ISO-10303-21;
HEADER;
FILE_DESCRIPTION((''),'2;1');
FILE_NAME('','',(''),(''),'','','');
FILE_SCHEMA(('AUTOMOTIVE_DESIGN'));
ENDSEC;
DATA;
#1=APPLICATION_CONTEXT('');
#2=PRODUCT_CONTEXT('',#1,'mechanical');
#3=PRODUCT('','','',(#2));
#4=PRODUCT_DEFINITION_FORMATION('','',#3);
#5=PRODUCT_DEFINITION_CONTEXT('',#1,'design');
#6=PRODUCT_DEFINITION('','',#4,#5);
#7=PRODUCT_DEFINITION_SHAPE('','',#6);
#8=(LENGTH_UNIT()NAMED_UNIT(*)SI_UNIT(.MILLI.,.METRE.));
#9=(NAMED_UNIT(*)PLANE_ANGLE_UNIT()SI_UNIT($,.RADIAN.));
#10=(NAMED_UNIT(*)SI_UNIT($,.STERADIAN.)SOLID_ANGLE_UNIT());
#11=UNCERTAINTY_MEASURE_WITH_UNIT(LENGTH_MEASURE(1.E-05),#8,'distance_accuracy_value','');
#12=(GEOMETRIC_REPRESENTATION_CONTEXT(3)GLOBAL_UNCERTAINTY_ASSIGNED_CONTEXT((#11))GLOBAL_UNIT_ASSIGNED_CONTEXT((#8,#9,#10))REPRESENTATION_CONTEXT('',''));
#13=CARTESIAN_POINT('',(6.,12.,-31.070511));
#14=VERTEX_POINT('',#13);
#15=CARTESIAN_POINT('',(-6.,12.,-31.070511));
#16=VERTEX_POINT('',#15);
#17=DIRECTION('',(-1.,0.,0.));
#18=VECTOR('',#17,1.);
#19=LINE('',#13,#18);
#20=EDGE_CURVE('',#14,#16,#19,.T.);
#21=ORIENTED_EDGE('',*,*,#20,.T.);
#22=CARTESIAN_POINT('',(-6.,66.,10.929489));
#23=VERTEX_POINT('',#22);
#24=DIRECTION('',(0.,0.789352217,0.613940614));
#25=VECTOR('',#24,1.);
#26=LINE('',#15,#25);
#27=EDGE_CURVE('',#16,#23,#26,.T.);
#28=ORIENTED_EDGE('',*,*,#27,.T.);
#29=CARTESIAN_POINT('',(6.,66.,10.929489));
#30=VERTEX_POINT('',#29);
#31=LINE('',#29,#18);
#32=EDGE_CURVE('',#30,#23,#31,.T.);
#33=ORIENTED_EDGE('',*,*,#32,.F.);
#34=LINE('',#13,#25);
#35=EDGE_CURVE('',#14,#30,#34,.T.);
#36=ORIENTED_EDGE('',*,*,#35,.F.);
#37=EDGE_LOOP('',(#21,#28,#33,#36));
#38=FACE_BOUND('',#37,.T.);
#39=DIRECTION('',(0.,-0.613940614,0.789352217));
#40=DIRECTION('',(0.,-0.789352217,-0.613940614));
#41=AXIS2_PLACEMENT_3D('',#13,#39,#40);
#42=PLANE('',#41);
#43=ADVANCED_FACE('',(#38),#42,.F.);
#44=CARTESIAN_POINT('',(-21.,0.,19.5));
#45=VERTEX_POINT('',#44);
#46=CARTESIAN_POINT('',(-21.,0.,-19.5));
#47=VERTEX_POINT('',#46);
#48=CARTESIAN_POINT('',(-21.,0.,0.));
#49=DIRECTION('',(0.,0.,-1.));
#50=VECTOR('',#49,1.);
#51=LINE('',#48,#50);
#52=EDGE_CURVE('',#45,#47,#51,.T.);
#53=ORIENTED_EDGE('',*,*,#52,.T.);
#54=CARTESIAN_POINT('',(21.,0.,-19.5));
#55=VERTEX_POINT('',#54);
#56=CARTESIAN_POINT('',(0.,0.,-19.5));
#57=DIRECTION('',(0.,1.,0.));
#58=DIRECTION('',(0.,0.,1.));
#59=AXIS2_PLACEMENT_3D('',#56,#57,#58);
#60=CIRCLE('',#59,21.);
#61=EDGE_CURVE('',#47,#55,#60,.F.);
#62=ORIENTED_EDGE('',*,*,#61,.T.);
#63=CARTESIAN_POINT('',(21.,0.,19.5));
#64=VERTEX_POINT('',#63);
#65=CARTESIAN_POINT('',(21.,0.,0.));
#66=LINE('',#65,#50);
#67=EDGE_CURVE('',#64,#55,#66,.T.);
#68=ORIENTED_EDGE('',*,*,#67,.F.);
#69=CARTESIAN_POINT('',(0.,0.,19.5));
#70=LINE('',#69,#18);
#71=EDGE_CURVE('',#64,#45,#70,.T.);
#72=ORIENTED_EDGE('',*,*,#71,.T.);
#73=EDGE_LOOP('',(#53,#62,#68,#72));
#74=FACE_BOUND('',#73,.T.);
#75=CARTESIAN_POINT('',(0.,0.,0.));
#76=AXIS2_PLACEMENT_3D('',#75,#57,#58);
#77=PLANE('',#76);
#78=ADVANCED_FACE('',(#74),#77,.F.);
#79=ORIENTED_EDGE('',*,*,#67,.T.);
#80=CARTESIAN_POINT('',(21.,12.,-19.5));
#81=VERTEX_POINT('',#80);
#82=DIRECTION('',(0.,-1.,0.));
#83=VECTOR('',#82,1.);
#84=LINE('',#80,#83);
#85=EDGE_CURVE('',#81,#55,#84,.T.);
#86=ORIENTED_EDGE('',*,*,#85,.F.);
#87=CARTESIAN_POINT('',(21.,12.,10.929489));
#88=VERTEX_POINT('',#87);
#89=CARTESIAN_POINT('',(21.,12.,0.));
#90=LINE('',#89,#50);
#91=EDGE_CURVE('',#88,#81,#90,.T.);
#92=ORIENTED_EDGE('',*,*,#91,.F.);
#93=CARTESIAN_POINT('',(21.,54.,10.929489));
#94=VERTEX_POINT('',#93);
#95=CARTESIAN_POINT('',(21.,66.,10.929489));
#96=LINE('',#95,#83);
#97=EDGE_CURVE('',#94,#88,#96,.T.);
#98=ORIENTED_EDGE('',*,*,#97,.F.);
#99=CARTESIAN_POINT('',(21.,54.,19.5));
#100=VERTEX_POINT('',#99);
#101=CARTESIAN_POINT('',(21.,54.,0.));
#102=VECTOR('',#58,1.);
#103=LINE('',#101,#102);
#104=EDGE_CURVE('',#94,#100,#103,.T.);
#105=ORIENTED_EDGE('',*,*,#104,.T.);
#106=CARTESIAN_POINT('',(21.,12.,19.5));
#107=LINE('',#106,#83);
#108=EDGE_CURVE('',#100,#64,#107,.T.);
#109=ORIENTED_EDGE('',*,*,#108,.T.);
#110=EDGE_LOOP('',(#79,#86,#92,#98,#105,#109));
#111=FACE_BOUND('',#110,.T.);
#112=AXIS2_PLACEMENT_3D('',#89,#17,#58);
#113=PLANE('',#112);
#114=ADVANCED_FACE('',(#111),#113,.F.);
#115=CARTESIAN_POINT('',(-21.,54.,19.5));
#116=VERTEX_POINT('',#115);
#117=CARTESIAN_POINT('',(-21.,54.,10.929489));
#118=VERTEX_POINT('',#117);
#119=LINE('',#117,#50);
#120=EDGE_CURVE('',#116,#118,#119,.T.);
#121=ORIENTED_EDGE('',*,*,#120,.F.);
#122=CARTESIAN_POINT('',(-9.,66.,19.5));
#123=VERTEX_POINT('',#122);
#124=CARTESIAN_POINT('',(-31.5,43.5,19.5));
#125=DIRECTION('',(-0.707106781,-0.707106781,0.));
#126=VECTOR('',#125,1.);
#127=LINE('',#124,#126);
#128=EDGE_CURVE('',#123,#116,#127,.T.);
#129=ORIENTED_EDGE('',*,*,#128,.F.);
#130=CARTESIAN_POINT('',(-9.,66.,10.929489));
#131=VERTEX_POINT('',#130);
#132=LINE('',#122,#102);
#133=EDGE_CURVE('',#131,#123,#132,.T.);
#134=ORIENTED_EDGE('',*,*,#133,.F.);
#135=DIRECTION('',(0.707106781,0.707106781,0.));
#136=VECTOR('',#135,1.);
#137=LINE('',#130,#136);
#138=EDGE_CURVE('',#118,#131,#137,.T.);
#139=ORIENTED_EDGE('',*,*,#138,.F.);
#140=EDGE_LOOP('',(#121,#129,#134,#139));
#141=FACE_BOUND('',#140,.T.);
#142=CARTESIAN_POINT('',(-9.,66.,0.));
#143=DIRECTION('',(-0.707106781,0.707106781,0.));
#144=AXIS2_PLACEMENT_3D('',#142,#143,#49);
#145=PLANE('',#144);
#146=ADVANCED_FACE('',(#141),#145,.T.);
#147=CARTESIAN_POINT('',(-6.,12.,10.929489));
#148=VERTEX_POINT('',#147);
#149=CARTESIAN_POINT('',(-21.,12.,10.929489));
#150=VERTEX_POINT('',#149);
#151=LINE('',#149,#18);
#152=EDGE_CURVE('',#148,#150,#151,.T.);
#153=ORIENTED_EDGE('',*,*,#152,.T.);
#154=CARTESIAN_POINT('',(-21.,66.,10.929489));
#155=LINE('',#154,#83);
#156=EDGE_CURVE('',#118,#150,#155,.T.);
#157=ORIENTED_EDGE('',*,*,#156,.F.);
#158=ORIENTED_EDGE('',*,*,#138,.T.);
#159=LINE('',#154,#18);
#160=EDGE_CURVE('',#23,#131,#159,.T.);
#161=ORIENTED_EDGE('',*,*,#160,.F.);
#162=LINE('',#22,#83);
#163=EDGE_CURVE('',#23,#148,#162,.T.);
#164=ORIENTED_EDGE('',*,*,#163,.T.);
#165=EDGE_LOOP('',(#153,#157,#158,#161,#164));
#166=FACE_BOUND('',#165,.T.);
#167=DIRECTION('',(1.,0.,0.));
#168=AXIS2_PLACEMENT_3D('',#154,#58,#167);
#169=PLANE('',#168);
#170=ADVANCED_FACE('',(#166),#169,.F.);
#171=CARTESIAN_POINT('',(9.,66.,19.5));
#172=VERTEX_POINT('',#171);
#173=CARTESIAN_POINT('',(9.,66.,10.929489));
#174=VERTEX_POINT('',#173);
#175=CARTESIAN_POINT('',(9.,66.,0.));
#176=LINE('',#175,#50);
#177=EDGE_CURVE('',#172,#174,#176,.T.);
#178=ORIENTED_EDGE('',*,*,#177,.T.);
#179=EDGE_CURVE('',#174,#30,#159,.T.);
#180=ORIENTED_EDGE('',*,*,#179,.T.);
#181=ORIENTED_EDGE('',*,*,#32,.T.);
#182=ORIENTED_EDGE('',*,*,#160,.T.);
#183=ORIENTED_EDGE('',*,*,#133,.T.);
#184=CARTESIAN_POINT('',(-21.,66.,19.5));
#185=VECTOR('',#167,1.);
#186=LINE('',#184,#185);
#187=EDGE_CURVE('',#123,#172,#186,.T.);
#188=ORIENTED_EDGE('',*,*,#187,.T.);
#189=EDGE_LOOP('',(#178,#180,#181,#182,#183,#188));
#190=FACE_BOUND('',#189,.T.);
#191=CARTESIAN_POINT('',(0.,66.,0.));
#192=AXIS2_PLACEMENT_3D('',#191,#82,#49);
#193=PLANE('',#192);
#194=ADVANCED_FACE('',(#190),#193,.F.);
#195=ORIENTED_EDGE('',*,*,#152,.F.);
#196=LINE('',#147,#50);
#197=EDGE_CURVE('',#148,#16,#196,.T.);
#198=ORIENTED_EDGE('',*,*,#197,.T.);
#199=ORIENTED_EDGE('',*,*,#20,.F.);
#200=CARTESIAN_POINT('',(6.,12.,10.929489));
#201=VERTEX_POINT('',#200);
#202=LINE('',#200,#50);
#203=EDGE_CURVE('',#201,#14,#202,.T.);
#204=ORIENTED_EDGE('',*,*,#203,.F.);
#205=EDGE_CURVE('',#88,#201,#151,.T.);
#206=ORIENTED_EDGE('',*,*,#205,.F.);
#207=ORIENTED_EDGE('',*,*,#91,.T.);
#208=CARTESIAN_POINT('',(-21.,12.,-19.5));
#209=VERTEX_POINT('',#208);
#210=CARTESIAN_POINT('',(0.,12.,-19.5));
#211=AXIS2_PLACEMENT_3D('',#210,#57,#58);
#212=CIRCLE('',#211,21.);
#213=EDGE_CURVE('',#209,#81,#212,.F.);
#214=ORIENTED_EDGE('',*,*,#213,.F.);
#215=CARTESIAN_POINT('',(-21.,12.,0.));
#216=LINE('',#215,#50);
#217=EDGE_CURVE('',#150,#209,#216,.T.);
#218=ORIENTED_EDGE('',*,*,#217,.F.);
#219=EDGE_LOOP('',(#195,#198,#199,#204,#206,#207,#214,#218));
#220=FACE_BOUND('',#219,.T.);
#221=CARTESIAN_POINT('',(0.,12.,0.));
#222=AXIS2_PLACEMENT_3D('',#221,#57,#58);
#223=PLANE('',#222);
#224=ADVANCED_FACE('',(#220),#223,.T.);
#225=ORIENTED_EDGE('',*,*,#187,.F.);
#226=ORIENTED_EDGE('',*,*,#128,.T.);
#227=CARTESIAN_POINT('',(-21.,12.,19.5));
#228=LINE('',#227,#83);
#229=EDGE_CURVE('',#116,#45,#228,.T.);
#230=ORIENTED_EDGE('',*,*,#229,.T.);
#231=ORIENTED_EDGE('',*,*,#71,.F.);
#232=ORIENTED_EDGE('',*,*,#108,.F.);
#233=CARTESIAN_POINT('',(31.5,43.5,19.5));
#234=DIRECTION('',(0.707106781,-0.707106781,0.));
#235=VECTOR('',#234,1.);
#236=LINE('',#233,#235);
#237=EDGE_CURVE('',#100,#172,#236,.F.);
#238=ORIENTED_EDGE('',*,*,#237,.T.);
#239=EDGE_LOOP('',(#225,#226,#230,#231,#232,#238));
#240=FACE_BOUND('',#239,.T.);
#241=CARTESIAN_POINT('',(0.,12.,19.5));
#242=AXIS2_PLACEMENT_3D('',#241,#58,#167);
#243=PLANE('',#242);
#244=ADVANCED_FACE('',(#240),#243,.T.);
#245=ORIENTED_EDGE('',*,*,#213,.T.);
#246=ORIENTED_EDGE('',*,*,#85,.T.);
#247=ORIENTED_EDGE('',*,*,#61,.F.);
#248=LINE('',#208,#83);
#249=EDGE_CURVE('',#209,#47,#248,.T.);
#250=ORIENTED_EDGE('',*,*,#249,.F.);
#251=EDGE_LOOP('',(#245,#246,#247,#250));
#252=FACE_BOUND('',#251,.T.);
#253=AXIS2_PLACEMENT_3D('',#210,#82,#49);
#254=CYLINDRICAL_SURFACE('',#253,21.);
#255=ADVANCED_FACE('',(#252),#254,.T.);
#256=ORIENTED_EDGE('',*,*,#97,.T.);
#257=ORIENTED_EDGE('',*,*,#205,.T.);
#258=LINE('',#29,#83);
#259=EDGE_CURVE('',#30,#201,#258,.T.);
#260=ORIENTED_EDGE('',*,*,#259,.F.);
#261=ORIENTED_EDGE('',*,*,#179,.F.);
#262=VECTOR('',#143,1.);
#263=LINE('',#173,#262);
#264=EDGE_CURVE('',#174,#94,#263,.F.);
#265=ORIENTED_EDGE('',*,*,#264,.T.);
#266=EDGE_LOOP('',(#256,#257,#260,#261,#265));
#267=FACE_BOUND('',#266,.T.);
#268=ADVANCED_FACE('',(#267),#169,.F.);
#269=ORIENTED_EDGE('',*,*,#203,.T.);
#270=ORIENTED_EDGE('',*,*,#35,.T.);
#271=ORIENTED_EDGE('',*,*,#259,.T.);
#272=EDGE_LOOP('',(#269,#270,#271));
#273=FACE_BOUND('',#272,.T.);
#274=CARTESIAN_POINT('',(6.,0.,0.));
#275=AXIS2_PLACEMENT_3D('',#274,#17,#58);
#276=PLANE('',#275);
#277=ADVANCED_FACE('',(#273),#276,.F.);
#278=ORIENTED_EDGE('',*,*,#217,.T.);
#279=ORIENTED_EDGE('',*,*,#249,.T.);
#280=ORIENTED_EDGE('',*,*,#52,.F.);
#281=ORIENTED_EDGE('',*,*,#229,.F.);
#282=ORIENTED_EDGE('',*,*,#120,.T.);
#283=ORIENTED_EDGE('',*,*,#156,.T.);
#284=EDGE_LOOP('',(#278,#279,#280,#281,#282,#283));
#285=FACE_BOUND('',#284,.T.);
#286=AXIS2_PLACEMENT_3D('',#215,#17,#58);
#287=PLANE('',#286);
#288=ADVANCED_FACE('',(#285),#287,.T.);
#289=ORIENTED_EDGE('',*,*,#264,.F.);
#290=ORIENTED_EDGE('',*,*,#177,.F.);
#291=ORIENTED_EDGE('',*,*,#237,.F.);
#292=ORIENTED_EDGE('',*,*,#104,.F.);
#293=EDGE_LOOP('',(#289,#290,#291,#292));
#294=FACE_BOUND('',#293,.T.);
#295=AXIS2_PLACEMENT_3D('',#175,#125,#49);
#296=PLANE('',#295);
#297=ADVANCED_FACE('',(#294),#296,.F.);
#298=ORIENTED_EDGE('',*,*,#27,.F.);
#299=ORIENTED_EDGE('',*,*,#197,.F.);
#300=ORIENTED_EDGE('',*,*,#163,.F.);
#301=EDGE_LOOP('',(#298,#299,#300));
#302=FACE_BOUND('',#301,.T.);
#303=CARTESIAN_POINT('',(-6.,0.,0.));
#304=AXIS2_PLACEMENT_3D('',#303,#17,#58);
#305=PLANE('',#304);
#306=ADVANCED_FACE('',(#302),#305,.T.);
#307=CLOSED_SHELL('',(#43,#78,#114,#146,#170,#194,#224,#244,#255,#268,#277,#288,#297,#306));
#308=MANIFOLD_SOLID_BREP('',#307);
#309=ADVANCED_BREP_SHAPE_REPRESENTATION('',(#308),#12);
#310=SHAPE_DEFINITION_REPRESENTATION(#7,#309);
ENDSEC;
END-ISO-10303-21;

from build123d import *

# Parameters (mm, degrees)
SKETCH1_W           = 42
SKETCH1_H           = 39
BOSS_EXTRUDE1_DEPTH = 12
SKETCH2_W           = 42
SKETCH2_H           = 8.570511372
BOSS_EXTRUDE2_DEPTH = 54
CHAMFER1_SIZE       = 12
BOSS_EXTRUDE3_DEPTH = 6


with BuildPart() as part:
    # Sketch1 → Boss-Extrude1 (new body)
    with BuildSketch(Plane(origin=(0, 0, 0), x_dir=(1, 0, 0), z_dir=(0, 1, 0))):
        Rectangle(SKETCH1_W, SKETCH1_H)
        with BuildLine():
            ThreePointArc((-21, 19.5), (0, 40.5), (21, 19.5))
            Line((21, 19.5), (-21, 19.5))
        make_face()
    extrude(amount=BOSS_EXTRUDE1_DEPTH)

    # Sketch2 → Boss-Extrude2 (add)
    with BuildSketch(Plane(origin=(0, 12, 0), x_dir=(1, 0, 0), z_dir=(0, 1, 0))):
        with Locations((0, -15.214744314)):
            Rectangle(SKETCH2_W, SKETCH2_H)
    extrude(amount=BOSS_EXTRUDE2_DEPTH)

    # Chamfer1
    chamfer1_edges = [part.edges().sort_by_distance(p)[0] for p in [
        (-21, 66, 15.214744314),
        (21, 66, 15.214744314),
    ]]
    chamfer(chamfer1_edges, length=CHAMFER1_SIZE)

    # Sketch5 → Boss-Extrude3 (add, symmetric)
    with BuildSketch(Plane(origin=(0, 0, 0), x_dir=(0, 0, -1), z_dir=(1, 0, 0))):
        Polygon((-10.929488628, 66), (-10.929488628, 12), (31.070511372, 12), align=None)
    extrude(amount=BOSS_EXTRUDE3_DEPTH, both=True)


solid = part.part
